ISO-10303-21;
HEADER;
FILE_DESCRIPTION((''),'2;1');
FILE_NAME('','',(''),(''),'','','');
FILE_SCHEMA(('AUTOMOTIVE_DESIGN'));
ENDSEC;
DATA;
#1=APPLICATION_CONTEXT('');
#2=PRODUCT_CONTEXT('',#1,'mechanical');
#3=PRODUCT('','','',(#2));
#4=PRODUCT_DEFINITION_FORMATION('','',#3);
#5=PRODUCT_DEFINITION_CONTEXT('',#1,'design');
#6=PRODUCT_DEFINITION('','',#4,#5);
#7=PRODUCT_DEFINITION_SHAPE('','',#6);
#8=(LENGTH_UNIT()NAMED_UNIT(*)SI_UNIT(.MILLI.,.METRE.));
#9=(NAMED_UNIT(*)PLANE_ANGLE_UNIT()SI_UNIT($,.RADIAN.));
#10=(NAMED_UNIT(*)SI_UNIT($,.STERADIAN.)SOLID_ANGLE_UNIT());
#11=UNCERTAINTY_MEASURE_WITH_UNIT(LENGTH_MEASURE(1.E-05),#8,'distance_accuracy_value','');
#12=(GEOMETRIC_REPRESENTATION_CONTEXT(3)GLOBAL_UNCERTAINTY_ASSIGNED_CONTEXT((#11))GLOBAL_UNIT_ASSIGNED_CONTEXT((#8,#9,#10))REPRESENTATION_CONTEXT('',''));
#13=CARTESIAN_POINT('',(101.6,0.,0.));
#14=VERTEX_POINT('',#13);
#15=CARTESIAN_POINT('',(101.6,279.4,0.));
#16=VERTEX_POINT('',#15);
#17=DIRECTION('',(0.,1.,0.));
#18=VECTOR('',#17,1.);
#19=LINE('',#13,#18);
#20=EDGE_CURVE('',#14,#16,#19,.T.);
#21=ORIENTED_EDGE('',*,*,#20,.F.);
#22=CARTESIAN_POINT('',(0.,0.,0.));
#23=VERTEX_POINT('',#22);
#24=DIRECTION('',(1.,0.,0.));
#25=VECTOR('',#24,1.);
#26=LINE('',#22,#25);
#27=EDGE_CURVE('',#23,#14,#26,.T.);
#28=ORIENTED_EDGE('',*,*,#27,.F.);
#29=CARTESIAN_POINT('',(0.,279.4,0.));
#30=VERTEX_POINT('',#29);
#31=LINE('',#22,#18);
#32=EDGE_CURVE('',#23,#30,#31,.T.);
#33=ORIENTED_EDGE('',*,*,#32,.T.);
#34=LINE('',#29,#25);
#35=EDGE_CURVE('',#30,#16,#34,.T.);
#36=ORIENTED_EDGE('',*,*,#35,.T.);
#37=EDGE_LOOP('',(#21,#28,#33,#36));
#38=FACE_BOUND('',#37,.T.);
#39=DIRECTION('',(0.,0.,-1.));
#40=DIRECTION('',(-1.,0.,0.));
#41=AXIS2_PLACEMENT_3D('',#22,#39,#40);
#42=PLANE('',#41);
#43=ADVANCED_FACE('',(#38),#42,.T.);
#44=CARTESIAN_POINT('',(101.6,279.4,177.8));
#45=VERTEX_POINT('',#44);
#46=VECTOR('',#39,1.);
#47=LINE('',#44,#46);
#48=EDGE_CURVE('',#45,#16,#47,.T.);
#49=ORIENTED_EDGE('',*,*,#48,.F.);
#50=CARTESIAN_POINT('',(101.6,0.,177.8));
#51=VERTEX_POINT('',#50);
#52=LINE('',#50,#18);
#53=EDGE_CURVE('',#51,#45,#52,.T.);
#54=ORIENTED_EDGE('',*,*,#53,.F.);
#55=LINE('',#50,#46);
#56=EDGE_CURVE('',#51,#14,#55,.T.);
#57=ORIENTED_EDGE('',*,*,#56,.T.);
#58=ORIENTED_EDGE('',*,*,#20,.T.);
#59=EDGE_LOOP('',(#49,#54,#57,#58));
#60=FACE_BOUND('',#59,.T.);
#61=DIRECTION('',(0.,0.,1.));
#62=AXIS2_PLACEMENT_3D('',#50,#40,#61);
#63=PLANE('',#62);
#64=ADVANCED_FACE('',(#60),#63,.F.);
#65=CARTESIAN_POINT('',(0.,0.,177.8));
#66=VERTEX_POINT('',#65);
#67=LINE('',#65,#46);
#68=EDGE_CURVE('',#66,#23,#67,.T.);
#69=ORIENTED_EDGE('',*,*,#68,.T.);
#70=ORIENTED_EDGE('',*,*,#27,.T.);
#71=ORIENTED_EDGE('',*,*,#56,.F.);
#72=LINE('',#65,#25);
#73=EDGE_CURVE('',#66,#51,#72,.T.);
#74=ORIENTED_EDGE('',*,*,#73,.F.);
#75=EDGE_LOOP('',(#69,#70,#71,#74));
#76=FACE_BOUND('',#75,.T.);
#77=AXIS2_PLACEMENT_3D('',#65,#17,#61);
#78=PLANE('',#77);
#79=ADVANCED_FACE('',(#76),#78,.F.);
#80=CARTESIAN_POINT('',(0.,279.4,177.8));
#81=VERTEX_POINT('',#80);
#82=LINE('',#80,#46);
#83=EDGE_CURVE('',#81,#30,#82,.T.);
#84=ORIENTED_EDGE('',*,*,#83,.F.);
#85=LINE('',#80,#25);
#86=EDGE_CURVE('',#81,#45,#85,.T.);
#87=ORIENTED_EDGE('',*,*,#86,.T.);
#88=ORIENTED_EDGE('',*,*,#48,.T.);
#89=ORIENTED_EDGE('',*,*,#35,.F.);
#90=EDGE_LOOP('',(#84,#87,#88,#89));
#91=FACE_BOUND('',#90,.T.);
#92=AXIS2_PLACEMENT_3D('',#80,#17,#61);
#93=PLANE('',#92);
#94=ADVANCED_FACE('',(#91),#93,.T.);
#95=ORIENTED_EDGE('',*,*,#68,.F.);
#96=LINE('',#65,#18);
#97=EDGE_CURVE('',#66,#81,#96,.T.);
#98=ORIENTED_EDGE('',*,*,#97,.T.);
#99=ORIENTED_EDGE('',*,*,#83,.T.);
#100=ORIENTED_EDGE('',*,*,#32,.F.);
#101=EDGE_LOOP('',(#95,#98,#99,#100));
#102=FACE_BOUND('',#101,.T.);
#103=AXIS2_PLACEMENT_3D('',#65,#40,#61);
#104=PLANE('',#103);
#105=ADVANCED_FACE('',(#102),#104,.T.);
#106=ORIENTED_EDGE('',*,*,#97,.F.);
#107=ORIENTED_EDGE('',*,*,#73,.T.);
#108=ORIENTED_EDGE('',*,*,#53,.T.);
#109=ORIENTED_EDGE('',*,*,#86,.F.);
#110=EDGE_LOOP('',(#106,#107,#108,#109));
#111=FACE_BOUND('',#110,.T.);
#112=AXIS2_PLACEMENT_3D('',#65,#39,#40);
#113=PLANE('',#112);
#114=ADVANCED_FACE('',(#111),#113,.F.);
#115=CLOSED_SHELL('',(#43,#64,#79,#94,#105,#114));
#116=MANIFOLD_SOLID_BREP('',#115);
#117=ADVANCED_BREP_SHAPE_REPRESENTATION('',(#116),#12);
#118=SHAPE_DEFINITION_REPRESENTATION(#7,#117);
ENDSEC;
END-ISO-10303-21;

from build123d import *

# Parameters (mm, degrees)
ESBO_O1_W                = 101.6
ESBO_O1_H                = 279.4
RESSALTO_EXTRUS_O1_DEPTH = 177.8


with BuildPart() as part:
    # Esboço1 → Ressalto-extrusão1 (new body)
    with BuildSketch(Plane.XY):
        with Locations((50.8, 139.7)):
            Rectangle(ESBO_O1_W, ESBO_O1_H)
    extrude(amount=RESSALTO_EXTRUS_O1_DEPTH)


solid = part.part
